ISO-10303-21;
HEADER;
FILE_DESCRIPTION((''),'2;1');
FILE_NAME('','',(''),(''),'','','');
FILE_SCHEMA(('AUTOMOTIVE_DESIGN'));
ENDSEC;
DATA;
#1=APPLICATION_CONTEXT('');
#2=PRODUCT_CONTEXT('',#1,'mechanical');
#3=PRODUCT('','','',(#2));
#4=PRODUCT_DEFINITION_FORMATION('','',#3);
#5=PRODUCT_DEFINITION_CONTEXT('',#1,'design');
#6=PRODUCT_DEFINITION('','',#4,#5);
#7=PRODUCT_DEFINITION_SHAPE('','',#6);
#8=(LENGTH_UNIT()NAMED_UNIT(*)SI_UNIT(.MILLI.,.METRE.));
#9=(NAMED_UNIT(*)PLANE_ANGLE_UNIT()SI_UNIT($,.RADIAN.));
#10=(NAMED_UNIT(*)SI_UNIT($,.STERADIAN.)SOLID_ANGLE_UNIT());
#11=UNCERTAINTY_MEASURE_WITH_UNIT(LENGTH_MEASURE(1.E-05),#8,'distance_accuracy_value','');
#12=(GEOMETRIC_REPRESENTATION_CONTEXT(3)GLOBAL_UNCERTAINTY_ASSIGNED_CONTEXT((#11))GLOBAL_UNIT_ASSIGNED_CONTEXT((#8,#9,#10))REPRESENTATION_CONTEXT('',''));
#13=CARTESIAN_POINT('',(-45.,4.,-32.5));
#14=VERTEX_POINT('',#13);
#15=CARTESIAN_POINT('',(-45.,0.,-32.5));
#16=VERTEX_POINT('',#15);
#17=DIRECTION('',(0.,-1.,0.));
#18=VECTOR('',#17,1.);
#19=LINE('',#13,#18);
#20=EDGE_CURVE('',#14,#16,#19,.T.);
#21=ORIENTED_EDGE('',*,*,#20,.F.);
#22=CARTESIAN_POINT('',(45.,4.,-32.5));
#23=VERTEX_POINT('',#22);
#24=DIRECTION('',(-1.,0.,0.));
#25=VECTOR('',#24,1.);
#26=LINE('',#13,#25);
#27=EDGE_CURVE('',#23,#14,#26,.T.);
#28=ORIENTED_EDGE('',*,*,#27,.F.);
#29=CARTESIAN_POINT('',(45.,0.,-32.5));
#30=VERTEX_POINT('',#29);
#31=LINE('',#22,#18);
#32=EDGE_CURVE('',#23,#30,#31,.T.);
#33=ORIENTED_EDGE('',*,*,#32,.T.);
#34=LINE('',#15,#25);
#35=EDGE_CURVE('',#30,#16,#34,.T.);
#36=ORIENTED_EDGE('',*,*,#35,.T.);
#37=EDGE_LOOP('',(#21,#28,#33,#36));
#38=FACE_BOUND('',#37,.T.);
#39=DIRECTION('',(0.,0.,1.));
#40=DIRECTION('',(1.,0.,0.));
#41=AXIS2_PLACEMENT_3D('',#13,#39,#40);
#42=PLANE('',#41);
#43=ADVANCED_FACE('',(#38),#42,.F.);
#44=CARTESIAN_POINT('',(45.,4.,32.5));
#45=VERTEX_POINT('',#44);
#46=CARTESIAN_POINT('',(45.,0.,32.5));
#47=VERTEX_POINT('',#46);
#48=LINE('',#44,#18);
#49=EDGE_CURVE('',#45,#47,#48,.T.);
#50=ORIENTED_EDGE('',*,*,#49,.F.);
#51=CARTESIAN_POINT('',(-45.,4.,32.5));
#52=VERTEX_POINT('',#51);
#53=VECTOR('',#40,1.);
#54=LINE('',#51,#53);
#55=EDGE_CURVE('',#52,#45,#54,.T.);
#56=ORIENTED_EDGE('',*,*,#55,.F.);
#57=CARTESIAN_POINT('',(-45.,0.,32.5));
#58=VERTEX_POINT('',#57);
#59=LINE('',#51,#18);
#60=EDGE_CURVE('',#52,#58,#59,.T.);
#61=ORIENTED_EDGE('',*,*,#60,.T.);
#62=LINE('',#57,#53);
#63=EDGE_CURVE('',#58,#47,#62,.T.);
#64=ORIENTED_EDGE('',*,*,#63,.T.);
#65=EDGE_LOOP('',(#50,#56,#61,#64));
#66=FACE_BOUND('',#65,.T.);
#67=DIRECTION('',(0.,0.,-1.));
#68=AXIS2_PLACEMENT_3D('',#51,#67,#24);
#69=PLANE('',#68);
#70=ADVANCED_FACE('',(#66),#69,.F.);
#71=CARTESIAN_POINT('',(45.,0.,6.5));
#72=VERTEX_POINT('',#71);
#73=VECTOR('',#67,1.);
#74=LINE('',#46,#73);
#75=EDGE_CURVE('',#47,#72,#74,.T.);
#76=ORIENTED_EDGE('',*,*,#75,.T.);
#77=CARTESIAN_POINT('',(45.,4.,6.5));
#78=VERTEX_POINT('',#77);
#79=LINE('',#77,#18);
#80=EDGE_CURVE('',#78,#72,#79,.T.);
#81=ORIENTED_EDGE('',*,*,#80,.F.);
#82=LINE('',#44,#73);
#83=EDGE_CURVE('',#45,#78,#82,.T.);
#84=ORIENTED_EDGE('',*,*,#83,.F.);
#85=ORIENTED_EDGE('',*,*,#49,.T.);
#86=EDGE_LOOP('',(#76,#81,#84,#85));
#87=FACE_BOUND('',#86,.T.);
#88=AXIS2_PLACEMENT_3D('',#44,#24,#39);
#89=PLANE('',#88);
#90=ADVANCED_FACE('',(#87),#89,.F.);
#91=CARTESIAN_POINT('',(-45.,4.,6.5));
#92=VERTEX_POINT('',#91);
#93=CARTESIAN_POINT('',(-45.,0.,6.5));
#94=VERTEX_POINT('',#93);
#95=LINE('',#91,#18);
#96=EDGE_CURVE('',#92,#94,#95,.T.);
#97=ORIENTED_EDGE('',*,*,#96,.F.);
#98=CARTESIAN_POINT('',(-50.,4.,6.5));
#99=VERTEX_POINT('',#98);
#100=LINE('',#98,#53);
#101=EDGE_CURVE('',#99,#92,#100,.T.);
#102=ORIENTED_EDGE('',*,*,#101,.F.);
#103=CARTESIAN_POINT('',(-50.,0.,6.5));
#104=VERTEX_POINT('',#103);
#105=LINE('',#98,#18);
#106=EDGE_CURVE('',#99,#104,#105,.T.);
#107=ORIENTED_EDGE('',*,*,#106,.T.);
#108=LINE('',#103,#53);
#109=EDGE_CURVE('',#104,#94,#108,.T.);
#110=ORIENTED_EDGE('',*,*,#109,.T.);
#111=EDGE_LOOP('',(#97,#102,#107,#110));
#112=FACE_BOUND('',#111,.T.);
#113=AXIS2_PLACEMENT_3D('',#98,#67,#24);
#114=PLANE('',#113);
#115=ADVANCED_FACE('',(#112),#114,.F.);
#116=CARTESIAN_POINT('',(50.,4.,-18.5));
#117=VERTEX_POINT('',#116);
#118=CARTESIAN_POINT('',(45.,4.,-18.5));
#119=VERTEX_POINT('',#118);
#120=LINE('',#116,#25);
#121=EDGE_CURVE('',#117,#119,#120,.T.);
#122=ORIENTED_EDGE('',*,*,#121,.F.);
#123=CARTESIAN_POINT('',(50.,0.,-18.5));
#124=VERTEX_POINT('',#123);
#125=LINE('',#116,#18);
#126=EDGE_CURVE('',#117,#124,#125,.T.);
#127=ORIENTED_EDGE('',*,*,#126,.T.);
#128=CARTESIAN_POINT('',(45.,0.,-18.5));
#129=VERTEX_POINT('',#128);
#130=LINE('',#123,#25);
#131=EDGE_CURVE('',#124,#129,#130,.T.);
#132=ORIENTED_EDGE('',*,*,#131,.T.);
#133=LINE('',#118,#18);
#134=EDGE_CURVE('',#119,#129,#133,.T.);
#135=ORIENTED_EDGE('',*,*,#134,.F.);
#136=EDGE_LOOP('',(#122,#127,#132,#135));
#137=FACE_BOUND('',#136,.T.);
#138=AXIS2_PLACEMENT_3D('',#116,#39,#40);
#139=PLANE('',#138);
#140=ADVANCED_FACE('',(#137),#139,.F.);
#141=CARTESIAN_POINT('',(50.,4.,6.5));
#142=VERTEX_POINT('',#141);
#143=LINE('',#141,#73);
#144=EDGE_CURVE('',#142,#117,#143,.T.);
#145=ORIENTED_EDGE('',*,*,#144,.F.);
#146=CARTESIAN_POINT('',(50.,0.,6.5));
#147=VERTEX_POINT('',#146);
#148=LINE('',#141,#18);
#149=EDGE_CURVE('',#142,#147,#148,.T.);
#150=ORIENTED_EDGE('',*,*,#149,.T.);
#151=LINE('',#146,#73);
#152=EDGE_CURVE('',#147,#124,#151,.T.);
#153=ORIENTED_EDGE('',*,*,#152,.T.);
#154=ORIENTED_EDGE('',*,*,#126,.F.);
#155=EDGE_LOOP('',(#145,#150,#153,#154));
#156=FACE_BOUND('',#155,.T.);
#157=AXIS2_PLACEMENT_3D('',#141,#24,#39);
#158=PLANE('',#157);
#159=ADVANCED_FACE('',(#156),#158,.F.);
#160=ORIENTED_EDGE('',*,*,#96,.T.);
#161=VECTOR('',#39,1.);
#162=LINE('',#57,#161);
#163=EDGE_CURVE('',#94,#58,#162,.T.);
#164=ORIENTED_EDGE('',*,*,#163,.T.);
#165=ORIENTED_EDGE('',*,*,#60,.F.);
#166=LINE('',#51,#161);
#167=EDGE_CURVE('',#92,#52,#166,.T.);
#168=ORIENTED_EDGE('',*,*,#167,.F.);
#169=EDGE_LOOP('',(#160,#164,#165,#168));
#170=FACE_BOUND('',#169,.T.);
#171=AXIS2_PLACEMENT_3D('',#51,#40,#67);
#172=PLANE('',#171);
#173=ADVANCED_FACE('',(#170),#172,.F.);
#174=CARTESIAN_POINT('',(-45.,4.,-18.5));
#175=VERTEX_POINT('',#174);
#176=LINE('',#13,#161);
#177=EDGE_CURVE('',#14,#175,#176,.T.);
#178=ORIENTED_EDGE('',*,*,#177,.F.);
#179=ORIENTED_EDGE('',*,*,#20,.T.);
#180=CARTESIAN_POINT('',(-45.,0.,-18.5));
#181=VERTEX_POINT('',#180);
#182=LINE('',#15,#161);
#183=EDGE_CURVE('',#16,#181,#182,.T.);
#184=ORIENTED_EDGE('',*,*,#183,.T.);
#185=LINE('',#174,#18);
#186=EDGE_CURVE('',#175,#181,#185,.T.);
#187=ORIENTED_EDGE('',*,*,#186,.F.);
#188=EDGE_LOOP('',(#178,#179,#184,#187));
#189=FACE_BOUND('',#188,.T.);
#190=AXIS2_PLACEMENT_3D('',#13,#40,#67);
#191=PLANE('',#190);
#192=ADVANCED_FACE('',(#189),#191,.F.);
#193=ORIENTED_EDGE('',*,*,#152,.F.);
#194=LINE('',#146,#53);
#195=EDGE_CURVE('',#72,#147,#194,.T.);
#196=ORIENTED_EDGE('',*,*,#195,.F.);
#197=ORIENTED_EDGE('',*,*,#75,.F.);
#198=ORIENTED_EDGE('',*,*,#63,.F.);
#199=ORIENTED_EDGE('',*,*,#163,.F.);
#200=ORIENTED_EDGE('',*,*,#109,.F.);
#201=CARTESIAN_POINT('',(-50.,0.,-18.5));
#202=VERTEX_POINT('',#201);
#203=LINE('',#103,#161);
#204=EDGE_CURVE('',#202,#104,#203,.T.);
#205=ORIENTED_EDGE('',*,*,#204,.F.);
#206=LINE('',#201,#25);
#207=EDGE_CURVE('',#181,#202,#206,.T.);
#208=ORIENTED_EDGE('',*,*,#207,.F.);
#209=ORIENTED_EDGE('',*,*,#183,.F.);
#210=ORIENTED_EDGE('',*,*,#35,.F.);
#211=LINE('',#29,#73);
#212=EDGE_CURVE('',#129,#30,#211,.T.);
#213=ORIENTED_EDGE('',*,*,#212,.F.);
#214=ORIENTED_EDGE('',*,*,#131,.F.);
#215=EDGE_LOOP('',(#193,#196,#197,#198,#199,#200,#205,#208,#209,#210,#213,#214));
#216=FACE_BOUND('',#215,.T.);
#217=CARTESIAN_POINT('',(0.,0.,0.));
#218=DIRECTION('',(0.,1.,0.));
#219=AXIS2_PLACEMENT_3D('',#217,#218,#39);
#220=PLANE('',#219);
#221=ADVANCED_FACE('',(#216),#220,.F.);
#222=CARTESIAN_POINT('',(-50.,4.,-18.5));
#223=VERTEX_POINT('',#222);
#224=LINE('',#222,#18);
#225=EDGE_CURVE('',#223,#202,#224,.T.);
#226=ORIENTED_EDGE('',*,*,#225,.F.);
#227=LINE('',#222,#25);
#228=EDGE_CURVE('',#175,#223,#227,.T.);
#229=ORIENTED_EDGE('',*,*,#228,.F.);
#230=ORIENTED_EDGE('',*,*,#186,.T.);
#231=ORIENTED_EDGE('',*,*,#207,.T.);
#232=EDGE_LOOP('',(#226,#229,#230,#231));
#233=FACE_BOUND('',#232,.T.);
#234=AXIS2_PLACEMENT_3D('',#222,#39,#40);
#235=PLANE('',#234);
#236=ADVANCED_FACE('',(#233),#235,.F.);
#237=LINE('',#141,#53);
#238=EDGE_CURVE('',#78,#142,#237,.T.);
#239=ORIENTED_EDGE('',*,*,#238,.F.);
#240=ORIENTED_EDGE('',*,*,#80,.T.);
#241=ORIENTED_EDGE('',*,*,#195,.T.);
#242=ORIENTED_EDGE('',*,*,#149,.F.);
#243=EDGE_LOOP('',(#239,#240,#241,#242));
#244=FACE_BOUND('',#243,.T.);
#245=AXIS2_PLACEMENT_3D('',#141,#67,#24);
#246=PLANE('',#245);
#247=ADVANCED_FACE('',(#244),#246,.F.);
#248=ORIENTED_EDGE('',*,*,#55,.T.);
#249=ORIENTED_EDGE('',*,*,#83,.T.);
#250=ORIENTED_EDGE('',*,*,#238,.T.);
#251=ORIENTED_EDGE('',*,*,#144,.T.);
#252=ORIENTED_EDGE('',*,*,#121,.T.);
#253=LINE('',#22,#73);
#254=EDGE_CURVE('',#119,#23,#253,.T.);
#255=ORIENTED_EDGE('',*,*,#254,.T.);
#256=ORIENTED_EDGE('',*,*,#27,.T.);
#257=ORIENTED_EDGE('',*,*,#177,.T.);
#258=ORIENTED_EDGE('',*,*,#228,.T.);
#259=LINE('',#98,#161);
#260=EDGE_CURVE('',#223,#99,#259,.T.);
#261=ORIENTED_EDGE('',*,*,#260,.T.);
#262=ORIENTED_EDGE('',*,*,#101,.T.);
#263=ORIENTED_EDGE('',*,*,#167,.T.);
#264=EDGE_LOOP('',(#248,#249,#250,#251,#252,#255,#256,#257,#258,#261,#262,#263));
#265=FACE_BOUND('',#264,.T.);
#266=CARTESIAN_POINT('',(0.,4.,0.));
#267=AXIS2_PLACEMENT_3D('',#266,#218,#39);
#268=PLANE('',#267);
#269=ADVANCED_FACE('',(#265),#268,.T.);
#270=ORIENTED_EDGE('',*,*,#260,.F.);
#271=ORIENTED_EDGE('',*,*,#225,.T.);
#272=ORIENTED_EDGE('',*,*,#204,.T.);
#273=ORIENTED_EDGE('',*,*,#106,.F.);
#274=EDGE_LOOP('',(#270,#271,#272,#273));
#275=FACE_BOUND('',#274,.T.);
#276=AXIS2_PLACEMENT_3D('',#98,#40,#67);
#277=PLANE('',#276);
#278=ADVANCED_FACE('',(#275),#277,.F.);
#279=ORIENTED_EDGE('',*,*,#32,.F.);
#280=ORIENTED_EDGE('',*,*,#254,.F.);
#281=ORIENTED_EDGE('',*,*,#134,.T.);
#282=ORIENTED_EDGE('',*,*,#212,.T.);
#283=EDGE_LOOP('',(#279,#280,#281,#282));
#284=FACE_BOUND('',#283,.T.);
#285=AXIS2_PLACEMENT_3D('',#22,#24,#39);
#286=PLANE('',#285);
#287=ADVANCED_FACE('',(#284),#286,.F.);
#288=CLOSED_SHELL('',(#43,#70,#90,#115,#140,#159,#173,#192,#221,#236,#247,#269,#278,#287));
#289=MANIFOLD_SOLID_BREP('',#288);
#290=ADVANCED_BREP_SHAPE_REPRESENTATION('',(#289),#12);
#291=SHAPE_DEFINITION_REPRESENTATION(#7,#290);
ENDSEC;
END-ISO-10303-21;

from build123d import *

# Parameters (mm, degrees)
SALIENTE_EXTRUIR1_DEPTH = 4


with BuildPart() as part:
    # Croquis1 → Saliente-Extruir1 (new body)
    with BuildSketch(Plane(origin=(0, 0, 0), x_dir=(1, 0, 0), z_dir=(0, 1, 0))):
        Polygon((-45, -32.5), (45, -32.5), (45, -6.5), (50, -6.5), (50, 18.5), (45, 18.5), (45, 32.5), (-45, 32.5), (-45, 18.5), (-50, 18.5), (-50, -6.5), (-45, -6.5), align=None)
    extrude(amount=SALIENTE_EXTRUIR1_DEPTH)


solid = part.part
